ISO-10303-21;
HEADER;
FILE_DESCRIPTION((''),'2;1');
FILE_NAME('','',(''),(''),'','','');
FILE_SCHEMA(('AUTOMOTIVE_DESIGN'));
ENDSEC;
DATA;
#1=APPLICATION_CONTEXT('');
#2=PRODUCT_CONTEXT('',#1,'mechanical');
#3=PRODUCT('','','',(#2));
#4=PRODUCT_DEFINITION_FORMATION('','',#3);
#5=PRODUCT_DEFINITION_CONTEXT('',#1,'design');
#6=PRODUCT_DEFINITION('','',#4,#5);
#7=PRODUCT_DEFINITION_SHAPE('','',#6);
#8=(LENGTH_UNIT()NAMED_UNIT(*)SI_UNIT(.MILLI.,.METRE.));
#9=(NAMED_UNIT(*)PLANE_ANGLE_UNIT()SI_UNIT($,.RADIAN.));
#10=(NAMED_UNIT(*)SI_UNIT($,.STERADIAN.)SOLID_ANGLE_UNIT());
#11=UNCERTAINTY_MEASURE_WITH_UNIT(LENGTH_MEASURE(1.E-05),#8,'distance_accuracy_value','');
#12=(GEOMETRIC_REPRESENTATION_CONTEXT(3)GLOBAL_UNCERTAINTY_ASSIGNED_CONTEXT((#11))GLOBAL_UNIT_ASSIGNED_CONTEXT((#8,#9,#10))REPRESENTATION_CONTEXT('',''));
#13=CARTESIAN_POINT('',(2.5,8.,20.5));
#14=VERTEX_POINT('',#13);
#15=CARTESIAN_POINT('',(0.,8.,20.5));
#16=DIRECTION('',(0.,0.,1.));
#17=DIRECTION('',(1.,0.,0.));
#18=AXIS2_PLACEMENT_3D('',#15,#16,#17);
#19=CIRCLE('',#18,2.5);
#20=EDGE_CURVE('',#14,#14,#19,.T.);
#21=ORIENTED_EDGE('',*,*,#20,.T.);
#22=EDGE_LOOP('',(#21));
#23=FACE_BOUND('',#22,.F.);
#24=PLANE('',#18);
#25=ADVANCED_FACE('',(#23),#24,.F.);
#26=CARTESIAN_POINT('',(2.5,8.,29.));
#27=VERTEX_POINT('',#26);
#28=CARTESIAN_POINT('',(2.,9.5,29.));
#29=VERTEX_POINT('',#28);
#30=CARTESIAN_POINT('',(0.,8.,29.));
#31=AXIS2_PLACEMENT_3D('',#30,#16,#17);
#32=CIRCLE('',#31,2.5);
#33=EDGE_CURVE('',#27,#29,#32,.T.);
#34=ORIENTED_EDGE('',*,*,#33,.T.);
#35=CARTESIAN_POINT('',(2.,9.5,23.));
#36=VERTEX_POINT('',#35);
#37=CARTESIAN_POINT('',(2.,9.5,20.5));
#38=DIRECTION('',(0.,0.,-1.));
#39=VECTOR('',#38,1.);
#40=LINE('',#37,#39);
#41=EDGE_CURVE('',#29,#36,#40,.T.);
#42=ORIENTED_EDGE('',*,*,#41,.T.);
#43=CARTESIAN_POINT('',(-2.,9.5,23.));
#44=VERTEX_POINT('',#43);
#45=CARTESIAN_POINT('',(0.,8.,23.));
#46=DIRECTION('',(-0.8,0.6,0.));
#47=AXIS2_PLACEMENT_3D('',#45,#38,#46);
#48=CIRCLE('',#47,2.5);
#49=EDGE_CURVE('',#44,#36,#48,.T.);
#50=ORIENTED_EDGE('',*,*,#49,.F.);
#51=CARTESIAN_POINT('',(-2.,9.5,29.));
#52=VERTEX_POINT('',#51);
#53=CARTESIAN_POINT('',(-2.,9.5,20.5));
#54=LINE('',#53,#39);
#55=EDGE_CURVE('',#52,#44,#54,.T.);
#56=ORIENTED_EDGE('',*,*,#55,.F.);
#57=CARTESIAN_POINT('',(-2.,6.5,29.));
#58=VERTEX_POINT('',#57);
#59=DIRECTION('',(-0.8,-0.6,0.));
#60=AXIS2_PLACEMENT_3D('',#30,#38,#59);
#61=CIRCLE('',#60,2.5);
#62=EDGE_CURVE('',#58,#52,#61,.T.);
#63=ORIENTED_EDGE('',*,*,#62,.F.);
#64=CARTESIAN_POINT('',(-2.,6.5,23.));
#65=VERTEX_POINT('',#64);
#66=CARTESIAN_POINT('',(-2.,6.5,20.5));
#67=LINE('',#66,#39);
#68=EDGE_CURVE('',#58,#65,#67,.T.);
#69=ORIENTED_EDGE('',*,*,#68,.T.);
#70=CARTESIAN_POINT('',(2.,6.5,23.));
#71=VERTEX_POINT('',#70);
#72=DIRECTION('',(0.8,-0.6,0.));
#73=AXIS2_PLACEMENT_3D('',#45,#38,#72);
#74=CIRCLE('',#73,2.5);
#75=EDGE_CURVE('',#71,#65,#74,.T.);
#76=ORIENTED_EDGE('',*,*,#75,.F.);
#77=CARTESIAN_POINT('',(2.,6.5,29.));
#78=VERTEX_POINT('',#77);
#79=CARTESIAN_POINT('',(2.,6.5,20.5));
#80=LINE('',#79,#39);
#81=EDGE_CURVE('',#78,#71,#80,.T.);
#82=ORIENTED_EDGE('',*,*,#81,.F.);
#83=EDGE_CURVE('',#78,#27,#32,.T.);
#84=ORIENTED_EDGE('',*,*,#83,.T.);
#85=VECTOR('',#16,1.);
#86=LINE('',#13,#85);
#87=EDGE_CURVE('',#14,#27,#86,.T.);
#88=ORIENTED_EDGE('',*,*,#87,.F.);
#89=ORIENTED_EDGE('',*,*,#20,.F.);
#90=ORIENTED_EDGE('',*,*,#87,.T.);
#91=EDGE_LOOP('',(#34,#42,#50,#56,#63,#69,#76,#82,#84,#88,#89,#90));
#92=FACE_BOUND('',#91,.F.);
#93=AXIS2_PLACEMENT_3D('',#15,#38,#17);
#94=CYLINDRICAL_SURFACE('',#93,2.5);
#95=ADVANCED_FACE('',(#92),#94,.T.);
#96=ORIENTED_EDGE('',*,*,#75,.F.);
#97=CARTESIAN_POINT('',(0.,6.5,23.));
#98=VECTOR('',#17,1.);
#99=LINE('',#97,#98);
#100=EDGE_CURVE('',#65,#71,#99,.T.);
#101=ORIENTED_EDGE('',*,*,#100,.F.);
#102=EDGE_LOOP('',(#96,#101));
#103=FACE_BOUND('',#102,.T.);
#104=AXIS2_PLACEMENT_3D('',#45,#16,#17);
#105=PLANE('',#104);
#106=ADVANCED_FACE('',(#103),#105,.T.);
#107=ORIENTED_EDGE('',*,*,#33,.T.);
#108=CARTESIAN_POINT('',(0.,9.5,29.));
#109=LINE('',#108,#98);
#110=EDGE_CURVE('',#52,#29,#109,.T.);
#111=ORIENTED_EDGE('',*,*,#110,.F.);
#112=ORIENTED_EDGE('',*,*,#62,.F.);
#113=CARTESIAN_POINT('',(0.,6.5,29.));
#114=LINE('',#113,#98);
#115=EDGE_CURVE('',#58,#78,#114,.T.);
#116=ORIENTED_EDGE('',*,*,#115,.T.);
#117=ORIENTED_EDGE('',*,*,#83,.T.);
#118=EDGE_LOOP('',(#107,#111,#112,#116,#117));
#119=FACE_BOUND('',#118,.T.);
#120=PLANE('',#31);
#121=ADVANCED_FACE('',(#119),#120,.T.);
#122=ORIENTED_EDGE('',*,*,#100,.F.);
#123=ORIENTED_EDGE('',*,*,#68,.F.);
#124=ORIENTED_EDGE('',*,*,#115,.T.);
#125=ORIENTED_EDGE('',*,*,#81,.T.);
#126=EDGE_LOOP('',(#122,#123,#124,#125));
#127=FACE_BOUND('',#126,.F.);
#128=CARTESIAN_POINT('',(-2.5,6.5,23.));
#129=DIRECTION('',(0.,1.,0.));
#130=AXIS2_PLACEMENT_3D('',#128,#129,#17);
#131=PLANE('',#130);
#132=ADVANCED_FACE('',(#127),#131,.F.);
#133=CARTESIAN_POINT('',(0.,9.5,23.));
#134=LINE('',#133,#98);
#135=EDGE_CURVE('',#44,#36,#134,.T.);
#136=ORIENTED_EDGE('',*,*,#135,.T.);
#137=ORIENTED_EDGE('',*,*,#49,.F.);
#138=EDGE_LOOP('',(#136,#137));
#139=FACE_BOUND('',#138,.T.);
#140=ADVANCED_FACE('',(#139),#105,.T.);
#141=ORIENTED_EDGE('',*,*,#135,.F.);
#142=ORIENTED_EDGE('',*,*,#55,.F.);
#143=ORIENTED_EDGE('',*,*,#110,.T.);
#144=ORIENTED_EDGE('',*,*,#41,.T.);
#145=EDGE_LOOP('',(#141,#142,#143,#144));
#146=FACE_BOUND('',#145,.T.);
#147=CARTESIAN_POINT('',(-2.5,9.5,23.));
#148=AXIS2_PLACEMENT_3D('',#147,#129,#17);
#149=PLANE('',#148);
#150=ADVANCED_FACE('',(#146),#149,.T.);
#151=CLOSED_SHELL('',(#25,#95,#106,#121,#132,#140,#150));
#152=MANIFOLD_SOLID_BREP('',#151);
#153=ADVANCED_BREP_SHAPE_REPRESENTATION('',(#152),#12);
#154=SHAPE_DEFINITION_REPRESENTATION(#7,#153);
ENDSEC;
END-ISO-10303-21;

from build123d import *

# Parameters (mm, degrees)
BOX002_W          = 5
BOX002_H          = 3
BOX002_DEPTH      = 6
BOX001_W          = 5
BOX001_H          = 5
BOX001_DEPTH      = 4
CYLINDER002_R     = 2.5
CYLINDER002_DEPTH = 8.5


with BuildPart() as cube002:
    # Box002 → Box002 (new body)
    with BuildSketch(Plane(origin=(-2.5, -1.5, 23), x_dir=(1, 0, 0), z_dir=(0, 0, 1))):
        with Locations((2.5, 1.5)):
            Rectangle(BOX002_W, BOX002_H)
    extrude(amount=BOX002_DEPTH)


with BuildPart() as fusion:
    # Box001 → Box001 (new body)
    with BuildSketch(Plane(origin=(-2.5, -2.5, 19), x_dir=(1, 0, 0), z_dir=(0, 0, 1))):
        with Locations((2.5, 2.5)):
            Rectangle(BOX001_W, BOX001_H)
    extrude(amount=BOX001_DEPTH)

    # Fusion: union Cube002
    add(cube002.part)


with BuildPart() as common:
    # Cylinder002 → Cylinder002 (new body)
    with BuildSketch(Plane.XY.offset(20.5)):
        Circle(CYLINDER002_R)
    extrude(amount=CYLINDER002_DEPTH)

    # Common: intersect Fusion
    add(fusion.part, mode=Mode.INTERSECT)


with BuildPart() as common_1:
    # Common placement: moved
    add(common.part.moved(Location((0, 8, 0))))


solid = common_1.part
